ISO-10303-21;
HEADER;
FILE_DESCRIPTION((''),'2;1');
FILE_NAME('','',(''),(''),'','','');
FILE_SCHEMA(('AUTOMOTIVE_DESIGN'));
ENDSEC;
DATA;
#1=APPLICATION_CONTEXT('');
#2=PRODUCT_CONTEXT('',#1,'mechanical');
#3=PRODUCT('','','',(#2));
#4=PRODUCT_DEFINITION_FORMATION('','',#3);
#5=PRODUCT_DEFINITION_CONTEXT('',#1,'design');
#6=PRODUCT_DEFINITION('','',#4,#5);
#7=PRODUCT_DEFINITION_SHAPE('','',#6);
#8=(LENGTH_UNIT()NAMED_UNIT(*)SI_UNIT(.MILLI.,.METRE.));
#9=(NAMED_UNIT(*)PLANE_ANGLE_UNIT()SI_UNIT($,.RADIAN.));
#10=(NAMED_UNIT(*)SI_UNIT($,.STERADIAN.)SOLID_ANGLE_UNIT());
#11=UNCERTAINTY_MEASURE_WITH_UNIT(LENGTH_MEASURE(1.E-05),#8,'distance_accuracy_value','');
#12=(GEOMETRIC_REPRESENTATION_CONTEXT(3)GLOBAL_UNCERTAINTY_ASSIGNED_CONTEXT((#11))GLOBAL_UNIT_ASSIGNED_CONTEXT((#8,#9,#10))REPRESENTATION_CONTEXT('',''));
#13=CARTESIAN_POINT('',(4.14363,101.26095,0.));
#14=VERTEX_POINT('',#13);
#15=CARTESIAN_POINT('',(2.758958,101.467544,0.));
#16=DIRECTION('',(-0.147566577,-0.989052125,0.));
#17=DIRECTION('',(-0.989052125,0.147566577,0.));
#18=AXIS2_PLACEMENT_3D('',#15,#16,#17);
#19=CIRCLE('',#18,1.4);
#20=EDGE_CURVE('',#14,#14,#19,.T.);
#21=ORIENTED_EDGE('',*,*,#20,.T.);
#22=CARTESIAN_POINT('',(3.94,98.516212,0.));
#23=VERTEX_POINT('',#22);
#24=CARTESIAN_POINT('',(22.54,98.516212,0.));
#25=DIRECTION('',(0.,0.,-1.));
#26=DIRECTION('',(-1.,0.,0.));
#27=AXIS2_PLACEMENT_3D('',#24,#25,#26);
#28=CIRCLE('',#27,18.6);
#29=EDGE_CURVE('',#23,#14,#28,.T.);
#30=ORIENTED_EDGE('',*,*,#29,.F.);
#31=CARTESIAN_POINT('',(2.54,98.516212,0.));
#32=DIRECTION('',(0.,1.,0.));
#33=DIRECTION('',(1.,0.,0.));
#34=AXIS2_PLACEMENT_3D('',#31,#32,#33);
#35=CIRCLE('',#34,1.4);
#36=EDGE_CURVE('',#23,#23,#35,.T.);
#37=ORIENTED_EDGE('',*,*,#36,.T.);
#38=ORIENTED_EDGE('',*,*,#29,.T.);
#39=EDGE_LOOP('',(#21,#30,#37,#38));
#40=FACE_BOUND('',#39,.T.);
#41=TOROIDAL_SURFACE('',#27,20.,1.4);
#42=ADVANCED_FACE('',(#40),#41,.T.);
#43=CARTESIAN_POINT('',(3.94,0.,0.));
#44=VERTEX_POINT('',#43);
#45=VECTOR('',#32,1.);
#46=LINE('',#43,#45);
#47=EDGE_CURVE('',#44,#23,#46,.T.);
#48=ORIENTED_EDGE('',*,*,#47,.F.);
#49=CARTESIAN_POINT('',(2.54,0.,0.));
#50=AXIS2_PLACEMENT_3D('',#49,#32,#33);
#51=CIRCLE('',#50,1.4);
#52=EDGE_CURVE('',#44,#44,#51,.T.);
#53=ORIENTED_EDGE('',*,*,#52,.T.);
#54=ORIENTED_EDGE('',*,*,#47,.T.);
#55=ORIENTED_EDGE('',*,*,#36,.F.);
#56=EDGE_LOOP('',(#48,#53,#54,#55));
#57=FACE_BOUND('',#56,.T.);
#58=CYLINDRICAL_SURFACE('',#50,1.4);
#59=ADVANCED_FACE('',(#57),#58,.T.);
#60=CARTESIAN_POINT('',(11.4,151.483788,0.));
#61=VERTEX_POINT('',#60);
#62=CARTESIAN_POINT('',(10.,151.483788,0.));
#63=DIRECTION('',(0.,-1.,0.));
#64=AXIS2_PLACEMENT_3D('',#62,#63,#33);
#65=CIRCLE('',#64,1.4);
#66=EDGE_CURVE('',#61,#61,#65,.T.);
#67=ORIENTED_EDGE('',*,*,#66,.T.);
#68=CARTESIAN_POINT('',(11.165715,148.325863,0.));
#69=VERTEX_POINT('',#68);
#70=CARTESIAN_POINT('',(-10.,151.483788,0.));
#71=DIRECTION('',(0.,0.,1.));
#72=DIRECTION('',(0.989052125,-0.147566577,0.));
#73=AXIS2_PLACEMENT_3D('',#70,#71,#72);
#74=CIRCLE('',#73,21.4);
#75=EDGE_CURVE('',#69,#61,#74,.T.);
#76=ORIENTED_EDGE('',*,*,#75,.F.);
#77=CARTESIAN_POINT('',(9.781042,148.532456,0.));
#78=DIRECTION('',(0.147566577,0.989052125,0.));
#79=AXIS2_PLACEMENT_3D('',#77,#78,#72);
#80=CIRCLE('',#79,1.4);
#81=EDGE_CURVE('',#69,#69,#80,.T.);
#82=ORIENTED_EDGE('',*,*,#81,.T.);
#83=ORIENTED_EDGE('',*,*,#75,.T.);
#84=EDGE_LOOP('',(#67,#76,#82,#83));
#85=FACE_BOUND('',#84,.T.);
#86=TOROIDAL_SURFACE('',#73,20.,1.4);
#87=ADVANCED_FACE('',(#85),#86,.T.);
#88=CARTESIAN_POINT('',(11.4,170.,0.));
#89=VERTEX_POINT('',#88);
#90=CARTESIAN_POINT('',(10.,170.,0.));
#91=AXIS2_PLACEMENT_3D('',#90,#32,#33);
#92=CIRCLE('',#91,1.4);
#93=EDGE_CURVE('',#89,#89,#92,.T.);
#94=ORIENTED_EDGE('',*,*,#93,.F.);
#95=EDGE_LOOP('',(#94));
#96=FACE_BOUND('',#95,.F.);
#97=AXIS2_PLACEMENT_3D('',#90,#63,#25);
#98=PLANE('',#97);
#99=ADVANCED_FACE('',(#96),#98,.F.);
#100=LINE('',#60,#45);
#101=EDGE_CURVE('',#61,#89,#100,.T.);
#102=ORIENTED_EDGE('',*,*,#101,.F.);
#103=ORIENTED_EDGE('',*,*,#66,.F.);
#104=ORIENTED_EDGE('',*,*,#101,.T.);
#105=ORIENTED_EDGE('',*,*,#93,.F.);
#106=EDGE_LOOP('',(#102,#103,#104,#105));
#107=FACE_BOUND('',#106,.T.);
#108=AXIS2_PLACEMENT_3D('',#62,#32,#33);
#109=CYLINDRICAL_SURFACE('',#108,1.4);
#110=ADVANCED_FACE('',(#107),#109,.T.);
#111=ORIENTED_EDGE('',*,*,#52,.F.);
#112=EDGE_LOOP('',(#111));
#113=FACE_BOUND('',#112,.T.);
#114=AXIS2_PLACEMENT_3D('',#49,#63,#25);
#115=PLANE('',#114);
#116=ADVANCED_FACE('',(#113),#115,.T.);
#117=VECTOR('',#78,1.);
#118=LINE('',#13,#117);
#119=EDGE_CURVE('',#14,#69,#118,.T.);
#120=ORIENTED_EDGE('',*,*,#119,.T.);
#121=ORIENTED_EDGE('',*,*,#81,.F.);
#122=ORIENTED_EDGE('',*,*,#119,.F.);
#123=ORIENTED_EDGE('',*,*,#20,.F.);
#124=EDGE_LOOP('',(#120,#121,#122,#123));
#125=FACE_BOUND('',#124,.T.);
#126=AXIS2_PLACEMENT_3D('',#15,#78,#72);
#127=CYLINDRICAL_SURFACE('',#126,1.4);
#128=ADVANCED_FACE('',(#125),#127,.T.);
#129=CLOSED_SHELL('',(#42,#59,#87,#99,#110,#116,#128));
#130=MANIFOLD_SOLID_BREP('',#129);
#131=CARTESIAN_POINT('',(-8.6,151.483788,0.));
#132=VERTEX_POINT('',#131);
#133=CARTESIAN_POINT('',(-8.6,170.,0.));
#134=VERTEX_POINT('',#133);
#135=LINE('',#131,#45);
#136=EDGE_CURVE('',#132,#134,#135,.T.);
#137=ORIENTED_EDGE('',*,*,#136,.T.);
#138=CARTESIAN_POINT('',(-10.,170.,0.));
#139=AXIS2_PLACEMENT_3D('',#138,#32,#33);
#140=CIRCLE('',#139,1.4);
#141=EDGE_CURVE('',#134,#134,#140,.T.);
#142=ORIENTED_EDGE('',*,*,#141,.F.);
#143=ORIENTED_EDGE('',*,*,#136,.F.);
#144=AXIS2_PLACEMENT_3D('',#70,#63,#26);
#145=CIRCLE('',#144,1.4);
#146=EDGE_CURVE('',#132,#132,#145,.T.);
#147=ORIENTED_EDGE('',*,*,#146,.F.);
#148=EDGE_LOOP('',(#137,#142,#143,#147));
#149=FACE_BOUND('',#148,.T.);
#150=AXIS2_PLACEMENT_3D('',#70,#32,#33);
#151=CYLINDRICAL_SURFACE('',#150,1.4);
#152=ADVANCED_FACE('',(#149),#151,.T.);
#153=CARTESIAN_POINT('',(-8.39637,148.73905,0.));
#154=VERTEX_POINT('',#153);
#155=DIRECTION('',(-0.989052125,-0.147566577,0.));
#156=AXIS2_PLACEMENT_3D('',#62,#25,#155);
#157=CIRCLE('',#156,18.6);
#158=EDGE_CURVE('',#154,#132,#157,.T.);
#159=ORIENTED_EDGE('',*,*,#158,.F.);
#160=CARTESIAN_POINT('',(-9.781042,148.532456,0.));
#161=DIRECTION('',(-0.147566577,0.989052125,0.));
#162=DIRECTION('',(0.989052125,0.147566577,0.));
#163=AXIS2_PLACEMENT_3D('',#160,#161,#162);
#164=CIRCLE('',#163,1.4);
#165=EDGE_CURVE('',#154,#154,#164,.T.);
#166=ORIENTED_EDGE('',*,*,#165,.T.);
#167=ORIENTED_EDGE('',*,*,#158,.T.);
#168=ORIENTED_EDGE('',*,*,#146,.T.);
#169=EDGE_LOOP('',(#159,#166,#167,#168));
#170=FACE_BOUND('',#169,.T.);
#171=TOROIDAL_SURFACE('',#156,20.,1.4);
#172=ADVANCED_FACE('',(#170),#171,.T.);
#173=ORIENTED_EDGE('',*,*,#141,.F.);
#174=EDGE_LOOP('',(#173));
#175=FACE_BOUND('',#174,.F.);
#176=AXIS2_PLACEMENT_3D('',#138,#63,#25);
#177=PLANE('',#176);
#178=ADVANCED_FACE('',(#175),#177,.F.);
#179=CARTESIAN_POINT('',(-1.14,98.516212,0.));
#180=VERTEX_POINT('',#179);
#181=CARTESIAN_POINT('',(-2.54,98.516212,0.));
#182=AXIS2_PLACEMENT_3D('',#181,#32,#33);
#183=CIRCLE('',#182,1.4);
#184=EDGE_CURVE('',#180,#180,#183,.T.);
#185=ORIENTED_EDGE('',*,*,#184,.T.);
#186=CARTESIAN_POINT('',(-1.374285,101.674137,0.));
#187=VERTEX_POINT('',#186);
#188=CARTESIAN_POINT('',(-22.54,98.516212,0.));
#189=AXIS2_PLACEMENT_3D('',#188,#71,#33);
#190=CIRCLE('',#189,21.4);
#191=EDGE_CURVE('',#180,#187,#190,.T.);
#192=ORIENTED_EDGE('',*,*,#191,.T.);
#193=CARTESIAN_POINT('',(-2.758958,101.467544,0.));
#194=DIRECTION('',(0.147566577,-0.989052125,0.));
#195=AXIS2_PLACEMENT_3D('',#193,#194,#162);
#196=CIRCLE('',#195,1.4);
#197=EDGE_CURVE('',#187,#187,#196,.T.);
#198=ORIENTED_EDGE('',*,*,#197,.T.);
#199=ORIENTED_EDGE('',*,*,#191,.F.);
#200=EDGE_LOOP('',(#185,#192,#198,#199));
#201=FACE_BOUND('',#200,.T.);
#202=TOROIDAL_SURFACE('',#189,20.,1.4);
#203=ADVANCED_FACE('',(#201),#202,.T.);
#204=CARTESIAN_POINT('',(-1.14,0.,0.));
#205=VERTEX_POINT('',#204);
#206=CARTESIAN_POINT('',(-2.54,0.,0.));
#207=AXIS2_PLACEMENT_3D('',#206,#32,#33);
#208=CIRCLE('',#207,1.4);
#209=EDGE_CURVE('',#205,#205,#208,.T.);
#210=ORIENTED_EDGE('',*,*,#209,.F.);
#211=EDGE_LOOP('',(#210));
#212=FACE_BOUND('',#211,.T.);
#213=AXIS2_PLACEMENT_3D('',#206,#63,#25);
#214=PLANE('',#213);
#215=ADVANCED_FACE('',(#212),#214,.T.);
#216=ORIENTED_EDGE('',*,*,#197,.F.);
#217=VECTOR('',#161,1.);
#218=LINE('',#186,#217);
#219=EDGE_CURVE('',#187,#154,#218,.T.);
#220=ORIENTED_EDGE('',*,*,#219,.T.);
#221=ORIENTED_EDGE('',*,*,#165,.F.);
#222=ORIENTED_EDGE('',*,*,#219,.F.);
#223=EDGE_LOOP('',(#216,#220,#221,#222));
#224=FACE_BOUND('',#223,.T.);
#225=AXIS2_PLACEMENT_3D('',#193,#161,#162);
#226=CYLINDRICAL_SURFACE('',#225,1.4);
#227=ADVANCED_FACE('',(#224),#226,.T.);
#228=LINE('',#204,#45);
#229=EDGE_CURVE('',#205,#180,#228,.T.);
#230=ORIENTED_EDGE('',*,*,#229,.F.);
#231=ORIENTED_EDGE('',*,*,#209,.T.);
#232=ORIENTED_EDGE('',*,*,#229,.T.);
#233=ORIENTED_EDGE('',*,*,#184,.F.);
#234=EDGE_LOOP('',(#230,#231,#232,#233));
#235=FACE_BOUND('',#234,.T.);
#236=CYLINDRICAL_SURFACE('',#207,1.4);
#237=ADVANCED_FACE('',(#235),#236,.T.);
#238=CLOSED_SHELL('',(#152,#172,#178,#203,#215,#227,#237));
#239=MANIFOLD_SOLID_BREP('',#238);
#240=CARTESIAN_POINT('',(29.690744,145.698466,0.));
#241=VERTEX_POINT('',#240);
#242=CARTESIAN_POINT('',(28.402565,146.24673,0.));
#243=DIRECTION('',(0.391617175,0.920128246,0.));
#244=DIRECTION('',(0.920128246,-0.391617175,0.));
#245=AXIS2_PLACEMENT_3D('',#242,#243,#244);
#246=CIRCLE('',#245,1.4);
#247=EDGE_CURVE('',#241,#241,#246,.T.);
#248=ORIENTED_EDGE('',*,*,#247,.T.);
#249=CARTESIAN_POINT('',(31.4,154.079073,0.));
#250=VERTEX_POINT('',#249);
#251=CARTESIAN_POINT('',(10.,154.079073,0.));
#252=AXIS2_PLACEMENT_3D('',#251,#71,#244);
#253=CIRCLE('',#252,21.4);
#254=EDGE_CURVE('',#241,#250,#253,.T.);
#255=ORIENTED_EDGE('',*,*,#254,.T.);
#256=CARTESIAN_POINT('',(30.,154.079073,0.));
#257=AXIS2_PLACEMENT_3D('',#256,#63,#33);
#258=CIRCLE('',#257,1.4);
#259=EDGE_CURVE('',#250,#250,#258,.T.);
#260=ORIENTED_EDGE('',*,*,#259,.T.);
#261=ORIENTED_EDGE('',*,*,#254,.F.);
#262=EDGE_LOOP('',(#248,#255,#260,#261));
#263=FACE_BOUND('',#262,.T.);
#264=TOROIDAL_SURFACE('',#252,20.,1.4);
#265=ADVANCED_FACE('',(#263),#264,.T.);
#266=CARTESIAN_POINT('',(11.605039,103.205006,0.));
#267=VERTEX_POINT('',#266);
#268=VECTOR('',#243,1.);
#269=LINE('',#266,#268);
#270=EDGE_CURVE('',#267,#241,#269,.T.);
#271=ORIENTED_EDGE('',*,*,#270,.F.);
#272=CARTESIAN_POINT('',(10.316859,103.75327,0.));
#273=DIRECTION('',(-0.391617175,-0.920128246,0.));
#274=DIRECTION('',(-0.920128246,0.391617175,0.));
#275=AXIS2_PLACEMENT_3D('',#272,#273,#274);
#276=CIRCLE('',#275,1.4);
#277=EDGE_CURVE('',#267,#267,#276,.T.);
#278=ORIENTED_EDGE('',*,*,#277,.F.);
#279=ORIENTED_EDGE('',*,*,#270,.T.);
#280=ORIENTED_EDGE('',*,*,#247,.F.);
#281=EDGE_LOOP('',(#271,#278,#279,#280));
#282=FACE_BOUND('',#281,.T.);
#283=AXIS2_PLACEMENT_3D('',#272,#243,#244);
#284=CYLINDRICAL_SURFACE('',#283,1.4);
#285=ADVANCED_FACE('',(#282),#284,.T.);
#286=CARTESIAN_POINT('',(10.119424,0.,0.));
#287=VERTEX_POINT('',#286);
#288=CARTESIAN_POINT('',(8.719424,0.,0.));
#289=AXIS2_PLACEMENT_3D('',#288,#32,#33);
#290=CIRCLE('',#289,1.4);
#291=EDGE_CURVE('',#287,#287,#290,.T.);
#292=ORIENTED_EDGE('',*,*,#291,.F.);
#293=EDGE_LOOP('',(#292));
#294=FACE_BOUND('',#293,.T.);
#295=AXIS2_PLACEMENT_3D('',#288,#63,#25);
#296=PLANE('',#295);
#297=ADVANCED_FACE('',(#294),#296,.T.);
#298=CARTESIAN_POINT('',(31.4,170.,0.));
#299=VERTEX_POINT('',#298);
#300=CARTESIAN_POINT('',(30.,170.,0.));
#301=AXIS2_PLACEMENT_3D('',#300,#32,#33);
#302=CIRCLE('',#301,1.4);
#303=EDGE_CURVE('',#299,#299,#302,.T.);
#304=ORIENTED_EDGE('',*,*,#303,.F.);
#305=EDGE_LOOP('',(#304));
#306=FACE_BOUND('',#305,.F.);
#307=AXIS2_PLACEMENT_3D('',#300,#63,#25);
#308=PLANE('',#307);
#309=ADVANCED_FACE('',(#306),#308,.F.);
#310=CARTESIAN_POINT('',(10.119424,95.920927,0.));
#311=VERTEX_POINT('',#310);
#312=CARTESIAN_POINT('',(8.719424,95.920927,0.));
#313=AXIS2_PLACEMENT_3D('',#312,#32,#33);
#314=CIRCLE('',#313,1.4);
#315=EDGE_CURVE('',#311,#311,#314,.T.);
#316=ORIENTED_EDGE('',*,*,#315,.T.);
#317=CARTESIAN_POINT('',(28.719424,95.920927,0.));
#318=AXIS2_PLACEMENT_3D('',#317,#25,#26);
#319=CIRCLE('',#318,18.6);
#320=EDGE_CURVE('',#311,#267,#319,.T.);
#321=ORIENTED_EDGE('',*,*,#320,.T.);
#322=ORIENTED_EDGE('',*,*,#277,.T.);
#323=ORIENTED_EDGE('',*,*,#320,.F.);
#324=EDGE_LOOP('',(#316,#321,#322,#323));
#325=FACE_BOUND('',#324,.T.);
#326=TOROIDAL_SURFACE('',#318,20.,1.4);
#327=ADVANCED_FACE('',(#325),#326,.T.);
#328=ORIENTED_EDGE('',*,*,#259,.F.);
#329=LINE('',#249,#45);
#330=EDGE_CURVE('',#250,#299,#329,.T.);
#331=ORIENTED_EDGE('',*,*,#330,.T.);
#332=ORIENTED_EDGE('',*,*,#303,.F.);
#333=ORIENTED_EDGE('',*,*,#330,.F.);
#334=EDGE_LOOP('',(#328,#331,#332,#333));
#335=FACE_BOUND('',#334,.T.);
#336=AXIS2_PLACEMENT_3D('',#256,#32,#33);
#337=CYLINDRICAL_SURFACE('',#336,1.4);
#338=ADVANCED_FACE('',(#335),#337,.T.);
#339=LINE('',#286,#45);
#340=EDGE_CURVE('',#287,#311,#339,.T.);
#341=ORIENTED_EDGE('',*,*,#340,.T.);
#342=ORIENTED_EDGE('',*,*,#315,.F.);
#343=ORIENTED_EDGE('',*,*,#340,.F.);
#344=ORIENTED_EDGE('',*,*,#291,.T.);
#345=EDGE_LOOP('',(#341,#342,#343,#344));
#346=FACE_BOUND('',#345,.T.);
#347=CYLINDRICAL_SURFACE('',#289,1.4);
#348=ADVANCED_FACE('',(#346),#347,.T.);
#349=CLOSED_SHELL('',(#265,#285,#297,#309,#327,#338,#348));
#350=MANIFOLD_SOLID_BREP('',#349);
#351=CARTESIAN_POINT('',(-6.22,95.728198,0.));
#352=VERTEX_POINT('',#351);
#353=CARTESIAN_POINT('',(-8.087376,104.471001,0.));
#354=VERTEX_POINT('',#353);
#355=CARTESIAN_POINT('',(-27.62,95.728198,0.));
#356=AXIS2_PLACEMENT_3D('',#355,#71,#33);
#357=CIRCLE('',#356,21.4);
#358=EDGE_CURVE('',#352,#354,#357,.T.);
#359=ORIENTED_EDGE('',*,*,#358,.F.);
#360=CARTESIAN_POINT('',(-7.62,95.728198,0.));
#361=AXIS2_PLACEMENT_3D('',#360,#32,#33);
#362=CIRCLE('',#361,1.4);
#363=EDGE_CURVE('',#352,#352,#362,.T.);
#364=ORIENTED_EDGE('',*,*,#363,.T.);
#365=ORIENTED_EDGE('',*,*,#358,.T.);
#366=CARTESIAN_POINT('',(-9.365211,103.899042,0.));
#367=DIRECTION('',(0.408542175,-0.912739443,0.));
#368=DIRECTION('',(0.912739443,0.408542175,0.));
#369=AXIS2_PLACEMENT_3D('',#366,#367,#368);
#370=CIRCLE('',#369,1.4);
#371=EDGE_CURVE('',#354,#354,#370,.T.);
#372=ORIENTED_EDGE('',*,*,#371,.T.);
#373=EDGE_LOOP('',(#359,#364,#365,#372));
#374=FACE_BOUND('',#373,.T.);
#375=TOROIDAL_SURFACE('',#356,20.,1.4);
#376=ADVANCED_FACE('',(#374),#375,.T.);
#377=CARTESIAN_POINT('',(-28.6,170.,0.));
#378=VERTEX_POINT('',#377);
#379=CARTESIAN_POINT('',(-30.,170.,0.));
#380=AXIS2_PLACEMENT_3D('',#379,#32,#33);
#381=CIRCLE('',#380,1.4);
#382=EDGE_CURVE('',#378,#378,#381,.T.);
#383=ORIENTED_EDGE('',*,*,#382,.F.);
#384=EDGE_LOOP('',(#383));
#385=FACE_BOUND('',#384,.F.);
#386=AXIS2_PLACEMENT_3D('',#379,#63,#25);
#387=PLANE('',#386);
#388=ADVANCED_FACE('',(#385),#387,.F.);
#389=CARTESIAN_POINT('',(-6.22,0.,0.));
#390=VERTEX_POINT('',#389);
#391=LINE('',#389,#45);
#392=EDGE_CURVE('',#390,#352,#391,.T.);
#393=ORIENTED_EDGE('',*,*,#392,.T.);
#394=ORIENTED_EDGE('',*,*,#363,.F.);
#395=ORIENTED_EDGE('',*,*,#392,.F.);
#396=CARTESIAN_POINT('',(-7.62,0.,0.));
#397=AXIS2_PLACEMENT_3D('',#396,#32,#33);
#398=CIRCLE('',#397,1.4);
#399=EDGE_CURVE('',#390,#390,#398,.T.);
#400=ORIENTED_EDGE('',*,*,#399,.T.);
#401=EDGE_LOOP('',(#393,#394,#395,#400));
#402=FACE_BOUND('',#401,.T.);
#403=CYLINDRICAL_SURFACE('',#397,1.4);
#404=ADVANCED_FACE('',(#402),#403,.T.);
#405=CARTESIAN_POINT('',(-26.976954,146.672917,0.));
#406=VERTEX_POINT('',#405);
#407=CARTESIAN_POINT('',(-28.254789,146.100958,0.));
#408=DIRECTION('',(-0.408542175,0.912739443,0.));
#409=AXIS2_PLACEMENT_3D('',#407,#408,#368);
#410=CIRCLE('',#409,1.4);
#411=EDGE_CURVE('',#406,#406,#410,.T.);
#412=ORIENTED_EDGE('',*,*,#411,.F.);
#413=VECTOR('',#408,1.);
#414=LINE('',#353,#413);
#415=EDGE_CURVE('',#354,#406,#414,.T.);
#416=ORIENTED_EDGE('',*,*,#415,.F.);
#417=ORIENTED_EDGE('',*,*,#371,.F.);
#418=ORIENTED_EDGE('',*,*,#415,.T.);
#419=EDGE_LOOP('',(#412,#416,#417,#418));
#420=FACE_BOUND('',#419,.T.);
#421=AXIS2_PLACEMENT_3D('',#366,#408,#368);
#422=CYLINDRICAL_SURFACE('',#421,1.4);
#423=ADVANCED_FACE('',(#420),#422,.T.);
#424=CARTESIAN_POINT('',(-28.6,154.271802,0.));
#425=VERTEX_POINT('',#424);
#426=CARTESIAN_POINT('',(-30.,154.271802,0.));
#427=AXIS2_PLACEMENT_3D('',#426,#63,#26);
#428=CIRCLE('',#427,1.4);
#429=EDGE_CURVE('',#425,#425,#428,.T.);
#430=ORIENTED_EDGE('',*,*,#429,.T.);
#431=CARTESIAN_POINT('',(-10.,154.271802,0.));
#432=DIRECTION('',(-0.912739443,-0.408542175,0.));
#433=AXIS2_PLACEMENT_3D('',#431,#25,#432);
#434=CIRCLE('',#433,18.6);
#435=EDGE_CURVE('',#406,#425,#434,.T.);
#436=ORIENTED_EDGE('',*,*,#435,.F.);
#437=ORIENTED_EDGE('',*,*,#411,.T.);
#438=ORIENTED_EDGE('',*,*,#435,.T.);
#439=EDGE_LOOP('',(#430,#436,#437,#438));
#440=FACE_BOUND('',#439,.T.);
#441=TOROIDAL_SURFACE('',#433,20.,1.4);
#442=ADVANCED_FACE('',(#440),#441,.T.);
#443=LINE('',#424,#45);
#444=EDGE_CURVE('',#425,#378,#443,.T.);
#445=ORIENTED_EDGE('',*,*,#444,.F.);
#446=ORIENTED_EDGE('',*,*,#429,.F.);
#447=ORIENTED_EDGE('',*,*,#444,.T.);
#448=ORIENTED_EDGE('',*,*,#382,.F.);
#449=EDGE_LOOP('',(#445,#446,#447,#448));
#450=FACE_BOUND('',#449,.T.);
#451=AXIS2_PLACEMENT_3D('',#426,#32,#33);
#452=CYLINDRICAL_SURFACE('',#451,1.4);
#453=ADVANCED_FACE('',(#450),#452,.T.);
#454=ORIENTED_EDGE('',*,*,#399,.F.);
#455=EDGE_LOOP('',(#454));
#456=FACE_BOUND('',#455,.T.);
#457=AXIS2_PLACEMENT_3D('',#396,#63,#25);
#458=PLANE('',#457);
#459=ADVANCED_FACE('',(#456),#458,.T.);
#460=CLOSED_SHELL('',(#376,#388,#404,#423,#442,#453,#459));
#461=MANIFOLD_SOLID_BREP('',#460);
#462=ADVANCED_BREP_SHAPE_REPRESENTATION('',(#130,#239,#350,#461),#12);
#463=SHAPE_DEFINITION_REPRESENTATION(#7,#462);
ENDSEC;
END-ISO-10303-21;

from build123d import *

# Parameters (mm, degrees)
F4_R = 1.4
F5_R = 1.4
F6_R = 1.4
F7_R = 1.4


with BuildPart() as f8:
    # F8: sweep along a path in F0
    with BuildLine(Plane.XY) as f8_path:
        Line((-7.62, 0), (-7.62, 95.728198357))
        ThreePointArc((-7.62, 95.728198357), (-8.0611685251, 99.9057707785), (-9.3652111337, 103.8990418536))
        Line((-9.3652111337, 103.8990418536), (-28.2547888663, 146.1009581464))
        ThreePointArc((-28.2547888663, 146.1009581464), (-29.5588314749, 150.0942292215), (-30, 154.271801643))
        Line((-30, 154.271801643), (-30, 170))
    # F4 (on Front) → F8 (sweep)
    with BuildSketch(Plane.XZ):
        with Locations((-7.62, 0)):
            Circle(F4_R)
    sweep(path=f8_path.line)


with BuildPart() as f9:
    # F9: sweep along a path in F1
    with BuildLine(Plane.XY) as f9_path:
        Line((-2.54, 0), (-2.54, 98.5162120673))
        ThreePointArc((-2.54, 98.5162120673), (-2.5948144923, 99.9959333459), (-2.7589575062, 101.4675436074))
        Line((-2.7589575062, 101.4675436074), (-9.7810424938, 148.5324563926))
        ThreePointArc((-9.7810424938, 148.5324563926), (-9.9451855077, 150.0040666541), (-10, 151.4837879327))
        Line((-10, 151.4837879327), (-10, 170))
    # F5 (on Front) → F9 (sweep)
    with BuildSketch(Plane.XZ):
        with Locations((-2.54, 0)):
            Circle(F5_R)
    sweep(path=f9_path.line)


with BuildPart() as f10:
    # F10: sweep along a path in F2
    with BuildLine(Plane.XY) as f10_path:
        Line((2.54, 0), (2.54, 98.5162120673))
        ThreePointArc((2.54, 98.5162120673), (2.5948144923, 99.9959333459), (2.7589575062, 101.4675436074))
        Line((2.7589575062, 101.4675436074), (9.7810424938, 148.5324563926))
        ThreePointArc((9.7810424938, 148.5324563926), (9.9451855077, 150.0040666541), (10, 151.4837879327))
        Line((10, 151.4837879327), (10, 170))
    # F6 (on Front) → F10 (sweep)
    with BuildSketch(Plane.XZ):
        with Locations((2.54, 0)):
            Circle(F6_R)
    sweep(path=f10_path.line)


with BuildPart() as f11:
    # F11: sweep along a path in F3
    with BuildLine(Plane.XY) as f11_path:
        Line((8.7194243317, 0), (8.7194243317, 95.9209268862))
        ThreePointArc((8.7194243317, 95.9209268862), (9.1228519502, 99.9177194624), (10.3168594214, 103.7532703875))
        Line((10.3168594214, 103.7532703875), (28.4025649103, 146.2467296125))
        ThreePointArc((28.4025649103, 146.2467296125), (29.5965723815, 150.0822805376), (30, 154.0790731138))
        Line((30, 154.0790731138), (30, 170))
    # F7 (on Front) → F11 (sweep)
    with BuildSketch(Plane.XZ):
        with Locations((8.7194243317, 0)):
            Circle(F7_R)
    sweep(path=f11_path.line)


solid = Compound([f8.part, f9.part, f10.part, f11.part])
